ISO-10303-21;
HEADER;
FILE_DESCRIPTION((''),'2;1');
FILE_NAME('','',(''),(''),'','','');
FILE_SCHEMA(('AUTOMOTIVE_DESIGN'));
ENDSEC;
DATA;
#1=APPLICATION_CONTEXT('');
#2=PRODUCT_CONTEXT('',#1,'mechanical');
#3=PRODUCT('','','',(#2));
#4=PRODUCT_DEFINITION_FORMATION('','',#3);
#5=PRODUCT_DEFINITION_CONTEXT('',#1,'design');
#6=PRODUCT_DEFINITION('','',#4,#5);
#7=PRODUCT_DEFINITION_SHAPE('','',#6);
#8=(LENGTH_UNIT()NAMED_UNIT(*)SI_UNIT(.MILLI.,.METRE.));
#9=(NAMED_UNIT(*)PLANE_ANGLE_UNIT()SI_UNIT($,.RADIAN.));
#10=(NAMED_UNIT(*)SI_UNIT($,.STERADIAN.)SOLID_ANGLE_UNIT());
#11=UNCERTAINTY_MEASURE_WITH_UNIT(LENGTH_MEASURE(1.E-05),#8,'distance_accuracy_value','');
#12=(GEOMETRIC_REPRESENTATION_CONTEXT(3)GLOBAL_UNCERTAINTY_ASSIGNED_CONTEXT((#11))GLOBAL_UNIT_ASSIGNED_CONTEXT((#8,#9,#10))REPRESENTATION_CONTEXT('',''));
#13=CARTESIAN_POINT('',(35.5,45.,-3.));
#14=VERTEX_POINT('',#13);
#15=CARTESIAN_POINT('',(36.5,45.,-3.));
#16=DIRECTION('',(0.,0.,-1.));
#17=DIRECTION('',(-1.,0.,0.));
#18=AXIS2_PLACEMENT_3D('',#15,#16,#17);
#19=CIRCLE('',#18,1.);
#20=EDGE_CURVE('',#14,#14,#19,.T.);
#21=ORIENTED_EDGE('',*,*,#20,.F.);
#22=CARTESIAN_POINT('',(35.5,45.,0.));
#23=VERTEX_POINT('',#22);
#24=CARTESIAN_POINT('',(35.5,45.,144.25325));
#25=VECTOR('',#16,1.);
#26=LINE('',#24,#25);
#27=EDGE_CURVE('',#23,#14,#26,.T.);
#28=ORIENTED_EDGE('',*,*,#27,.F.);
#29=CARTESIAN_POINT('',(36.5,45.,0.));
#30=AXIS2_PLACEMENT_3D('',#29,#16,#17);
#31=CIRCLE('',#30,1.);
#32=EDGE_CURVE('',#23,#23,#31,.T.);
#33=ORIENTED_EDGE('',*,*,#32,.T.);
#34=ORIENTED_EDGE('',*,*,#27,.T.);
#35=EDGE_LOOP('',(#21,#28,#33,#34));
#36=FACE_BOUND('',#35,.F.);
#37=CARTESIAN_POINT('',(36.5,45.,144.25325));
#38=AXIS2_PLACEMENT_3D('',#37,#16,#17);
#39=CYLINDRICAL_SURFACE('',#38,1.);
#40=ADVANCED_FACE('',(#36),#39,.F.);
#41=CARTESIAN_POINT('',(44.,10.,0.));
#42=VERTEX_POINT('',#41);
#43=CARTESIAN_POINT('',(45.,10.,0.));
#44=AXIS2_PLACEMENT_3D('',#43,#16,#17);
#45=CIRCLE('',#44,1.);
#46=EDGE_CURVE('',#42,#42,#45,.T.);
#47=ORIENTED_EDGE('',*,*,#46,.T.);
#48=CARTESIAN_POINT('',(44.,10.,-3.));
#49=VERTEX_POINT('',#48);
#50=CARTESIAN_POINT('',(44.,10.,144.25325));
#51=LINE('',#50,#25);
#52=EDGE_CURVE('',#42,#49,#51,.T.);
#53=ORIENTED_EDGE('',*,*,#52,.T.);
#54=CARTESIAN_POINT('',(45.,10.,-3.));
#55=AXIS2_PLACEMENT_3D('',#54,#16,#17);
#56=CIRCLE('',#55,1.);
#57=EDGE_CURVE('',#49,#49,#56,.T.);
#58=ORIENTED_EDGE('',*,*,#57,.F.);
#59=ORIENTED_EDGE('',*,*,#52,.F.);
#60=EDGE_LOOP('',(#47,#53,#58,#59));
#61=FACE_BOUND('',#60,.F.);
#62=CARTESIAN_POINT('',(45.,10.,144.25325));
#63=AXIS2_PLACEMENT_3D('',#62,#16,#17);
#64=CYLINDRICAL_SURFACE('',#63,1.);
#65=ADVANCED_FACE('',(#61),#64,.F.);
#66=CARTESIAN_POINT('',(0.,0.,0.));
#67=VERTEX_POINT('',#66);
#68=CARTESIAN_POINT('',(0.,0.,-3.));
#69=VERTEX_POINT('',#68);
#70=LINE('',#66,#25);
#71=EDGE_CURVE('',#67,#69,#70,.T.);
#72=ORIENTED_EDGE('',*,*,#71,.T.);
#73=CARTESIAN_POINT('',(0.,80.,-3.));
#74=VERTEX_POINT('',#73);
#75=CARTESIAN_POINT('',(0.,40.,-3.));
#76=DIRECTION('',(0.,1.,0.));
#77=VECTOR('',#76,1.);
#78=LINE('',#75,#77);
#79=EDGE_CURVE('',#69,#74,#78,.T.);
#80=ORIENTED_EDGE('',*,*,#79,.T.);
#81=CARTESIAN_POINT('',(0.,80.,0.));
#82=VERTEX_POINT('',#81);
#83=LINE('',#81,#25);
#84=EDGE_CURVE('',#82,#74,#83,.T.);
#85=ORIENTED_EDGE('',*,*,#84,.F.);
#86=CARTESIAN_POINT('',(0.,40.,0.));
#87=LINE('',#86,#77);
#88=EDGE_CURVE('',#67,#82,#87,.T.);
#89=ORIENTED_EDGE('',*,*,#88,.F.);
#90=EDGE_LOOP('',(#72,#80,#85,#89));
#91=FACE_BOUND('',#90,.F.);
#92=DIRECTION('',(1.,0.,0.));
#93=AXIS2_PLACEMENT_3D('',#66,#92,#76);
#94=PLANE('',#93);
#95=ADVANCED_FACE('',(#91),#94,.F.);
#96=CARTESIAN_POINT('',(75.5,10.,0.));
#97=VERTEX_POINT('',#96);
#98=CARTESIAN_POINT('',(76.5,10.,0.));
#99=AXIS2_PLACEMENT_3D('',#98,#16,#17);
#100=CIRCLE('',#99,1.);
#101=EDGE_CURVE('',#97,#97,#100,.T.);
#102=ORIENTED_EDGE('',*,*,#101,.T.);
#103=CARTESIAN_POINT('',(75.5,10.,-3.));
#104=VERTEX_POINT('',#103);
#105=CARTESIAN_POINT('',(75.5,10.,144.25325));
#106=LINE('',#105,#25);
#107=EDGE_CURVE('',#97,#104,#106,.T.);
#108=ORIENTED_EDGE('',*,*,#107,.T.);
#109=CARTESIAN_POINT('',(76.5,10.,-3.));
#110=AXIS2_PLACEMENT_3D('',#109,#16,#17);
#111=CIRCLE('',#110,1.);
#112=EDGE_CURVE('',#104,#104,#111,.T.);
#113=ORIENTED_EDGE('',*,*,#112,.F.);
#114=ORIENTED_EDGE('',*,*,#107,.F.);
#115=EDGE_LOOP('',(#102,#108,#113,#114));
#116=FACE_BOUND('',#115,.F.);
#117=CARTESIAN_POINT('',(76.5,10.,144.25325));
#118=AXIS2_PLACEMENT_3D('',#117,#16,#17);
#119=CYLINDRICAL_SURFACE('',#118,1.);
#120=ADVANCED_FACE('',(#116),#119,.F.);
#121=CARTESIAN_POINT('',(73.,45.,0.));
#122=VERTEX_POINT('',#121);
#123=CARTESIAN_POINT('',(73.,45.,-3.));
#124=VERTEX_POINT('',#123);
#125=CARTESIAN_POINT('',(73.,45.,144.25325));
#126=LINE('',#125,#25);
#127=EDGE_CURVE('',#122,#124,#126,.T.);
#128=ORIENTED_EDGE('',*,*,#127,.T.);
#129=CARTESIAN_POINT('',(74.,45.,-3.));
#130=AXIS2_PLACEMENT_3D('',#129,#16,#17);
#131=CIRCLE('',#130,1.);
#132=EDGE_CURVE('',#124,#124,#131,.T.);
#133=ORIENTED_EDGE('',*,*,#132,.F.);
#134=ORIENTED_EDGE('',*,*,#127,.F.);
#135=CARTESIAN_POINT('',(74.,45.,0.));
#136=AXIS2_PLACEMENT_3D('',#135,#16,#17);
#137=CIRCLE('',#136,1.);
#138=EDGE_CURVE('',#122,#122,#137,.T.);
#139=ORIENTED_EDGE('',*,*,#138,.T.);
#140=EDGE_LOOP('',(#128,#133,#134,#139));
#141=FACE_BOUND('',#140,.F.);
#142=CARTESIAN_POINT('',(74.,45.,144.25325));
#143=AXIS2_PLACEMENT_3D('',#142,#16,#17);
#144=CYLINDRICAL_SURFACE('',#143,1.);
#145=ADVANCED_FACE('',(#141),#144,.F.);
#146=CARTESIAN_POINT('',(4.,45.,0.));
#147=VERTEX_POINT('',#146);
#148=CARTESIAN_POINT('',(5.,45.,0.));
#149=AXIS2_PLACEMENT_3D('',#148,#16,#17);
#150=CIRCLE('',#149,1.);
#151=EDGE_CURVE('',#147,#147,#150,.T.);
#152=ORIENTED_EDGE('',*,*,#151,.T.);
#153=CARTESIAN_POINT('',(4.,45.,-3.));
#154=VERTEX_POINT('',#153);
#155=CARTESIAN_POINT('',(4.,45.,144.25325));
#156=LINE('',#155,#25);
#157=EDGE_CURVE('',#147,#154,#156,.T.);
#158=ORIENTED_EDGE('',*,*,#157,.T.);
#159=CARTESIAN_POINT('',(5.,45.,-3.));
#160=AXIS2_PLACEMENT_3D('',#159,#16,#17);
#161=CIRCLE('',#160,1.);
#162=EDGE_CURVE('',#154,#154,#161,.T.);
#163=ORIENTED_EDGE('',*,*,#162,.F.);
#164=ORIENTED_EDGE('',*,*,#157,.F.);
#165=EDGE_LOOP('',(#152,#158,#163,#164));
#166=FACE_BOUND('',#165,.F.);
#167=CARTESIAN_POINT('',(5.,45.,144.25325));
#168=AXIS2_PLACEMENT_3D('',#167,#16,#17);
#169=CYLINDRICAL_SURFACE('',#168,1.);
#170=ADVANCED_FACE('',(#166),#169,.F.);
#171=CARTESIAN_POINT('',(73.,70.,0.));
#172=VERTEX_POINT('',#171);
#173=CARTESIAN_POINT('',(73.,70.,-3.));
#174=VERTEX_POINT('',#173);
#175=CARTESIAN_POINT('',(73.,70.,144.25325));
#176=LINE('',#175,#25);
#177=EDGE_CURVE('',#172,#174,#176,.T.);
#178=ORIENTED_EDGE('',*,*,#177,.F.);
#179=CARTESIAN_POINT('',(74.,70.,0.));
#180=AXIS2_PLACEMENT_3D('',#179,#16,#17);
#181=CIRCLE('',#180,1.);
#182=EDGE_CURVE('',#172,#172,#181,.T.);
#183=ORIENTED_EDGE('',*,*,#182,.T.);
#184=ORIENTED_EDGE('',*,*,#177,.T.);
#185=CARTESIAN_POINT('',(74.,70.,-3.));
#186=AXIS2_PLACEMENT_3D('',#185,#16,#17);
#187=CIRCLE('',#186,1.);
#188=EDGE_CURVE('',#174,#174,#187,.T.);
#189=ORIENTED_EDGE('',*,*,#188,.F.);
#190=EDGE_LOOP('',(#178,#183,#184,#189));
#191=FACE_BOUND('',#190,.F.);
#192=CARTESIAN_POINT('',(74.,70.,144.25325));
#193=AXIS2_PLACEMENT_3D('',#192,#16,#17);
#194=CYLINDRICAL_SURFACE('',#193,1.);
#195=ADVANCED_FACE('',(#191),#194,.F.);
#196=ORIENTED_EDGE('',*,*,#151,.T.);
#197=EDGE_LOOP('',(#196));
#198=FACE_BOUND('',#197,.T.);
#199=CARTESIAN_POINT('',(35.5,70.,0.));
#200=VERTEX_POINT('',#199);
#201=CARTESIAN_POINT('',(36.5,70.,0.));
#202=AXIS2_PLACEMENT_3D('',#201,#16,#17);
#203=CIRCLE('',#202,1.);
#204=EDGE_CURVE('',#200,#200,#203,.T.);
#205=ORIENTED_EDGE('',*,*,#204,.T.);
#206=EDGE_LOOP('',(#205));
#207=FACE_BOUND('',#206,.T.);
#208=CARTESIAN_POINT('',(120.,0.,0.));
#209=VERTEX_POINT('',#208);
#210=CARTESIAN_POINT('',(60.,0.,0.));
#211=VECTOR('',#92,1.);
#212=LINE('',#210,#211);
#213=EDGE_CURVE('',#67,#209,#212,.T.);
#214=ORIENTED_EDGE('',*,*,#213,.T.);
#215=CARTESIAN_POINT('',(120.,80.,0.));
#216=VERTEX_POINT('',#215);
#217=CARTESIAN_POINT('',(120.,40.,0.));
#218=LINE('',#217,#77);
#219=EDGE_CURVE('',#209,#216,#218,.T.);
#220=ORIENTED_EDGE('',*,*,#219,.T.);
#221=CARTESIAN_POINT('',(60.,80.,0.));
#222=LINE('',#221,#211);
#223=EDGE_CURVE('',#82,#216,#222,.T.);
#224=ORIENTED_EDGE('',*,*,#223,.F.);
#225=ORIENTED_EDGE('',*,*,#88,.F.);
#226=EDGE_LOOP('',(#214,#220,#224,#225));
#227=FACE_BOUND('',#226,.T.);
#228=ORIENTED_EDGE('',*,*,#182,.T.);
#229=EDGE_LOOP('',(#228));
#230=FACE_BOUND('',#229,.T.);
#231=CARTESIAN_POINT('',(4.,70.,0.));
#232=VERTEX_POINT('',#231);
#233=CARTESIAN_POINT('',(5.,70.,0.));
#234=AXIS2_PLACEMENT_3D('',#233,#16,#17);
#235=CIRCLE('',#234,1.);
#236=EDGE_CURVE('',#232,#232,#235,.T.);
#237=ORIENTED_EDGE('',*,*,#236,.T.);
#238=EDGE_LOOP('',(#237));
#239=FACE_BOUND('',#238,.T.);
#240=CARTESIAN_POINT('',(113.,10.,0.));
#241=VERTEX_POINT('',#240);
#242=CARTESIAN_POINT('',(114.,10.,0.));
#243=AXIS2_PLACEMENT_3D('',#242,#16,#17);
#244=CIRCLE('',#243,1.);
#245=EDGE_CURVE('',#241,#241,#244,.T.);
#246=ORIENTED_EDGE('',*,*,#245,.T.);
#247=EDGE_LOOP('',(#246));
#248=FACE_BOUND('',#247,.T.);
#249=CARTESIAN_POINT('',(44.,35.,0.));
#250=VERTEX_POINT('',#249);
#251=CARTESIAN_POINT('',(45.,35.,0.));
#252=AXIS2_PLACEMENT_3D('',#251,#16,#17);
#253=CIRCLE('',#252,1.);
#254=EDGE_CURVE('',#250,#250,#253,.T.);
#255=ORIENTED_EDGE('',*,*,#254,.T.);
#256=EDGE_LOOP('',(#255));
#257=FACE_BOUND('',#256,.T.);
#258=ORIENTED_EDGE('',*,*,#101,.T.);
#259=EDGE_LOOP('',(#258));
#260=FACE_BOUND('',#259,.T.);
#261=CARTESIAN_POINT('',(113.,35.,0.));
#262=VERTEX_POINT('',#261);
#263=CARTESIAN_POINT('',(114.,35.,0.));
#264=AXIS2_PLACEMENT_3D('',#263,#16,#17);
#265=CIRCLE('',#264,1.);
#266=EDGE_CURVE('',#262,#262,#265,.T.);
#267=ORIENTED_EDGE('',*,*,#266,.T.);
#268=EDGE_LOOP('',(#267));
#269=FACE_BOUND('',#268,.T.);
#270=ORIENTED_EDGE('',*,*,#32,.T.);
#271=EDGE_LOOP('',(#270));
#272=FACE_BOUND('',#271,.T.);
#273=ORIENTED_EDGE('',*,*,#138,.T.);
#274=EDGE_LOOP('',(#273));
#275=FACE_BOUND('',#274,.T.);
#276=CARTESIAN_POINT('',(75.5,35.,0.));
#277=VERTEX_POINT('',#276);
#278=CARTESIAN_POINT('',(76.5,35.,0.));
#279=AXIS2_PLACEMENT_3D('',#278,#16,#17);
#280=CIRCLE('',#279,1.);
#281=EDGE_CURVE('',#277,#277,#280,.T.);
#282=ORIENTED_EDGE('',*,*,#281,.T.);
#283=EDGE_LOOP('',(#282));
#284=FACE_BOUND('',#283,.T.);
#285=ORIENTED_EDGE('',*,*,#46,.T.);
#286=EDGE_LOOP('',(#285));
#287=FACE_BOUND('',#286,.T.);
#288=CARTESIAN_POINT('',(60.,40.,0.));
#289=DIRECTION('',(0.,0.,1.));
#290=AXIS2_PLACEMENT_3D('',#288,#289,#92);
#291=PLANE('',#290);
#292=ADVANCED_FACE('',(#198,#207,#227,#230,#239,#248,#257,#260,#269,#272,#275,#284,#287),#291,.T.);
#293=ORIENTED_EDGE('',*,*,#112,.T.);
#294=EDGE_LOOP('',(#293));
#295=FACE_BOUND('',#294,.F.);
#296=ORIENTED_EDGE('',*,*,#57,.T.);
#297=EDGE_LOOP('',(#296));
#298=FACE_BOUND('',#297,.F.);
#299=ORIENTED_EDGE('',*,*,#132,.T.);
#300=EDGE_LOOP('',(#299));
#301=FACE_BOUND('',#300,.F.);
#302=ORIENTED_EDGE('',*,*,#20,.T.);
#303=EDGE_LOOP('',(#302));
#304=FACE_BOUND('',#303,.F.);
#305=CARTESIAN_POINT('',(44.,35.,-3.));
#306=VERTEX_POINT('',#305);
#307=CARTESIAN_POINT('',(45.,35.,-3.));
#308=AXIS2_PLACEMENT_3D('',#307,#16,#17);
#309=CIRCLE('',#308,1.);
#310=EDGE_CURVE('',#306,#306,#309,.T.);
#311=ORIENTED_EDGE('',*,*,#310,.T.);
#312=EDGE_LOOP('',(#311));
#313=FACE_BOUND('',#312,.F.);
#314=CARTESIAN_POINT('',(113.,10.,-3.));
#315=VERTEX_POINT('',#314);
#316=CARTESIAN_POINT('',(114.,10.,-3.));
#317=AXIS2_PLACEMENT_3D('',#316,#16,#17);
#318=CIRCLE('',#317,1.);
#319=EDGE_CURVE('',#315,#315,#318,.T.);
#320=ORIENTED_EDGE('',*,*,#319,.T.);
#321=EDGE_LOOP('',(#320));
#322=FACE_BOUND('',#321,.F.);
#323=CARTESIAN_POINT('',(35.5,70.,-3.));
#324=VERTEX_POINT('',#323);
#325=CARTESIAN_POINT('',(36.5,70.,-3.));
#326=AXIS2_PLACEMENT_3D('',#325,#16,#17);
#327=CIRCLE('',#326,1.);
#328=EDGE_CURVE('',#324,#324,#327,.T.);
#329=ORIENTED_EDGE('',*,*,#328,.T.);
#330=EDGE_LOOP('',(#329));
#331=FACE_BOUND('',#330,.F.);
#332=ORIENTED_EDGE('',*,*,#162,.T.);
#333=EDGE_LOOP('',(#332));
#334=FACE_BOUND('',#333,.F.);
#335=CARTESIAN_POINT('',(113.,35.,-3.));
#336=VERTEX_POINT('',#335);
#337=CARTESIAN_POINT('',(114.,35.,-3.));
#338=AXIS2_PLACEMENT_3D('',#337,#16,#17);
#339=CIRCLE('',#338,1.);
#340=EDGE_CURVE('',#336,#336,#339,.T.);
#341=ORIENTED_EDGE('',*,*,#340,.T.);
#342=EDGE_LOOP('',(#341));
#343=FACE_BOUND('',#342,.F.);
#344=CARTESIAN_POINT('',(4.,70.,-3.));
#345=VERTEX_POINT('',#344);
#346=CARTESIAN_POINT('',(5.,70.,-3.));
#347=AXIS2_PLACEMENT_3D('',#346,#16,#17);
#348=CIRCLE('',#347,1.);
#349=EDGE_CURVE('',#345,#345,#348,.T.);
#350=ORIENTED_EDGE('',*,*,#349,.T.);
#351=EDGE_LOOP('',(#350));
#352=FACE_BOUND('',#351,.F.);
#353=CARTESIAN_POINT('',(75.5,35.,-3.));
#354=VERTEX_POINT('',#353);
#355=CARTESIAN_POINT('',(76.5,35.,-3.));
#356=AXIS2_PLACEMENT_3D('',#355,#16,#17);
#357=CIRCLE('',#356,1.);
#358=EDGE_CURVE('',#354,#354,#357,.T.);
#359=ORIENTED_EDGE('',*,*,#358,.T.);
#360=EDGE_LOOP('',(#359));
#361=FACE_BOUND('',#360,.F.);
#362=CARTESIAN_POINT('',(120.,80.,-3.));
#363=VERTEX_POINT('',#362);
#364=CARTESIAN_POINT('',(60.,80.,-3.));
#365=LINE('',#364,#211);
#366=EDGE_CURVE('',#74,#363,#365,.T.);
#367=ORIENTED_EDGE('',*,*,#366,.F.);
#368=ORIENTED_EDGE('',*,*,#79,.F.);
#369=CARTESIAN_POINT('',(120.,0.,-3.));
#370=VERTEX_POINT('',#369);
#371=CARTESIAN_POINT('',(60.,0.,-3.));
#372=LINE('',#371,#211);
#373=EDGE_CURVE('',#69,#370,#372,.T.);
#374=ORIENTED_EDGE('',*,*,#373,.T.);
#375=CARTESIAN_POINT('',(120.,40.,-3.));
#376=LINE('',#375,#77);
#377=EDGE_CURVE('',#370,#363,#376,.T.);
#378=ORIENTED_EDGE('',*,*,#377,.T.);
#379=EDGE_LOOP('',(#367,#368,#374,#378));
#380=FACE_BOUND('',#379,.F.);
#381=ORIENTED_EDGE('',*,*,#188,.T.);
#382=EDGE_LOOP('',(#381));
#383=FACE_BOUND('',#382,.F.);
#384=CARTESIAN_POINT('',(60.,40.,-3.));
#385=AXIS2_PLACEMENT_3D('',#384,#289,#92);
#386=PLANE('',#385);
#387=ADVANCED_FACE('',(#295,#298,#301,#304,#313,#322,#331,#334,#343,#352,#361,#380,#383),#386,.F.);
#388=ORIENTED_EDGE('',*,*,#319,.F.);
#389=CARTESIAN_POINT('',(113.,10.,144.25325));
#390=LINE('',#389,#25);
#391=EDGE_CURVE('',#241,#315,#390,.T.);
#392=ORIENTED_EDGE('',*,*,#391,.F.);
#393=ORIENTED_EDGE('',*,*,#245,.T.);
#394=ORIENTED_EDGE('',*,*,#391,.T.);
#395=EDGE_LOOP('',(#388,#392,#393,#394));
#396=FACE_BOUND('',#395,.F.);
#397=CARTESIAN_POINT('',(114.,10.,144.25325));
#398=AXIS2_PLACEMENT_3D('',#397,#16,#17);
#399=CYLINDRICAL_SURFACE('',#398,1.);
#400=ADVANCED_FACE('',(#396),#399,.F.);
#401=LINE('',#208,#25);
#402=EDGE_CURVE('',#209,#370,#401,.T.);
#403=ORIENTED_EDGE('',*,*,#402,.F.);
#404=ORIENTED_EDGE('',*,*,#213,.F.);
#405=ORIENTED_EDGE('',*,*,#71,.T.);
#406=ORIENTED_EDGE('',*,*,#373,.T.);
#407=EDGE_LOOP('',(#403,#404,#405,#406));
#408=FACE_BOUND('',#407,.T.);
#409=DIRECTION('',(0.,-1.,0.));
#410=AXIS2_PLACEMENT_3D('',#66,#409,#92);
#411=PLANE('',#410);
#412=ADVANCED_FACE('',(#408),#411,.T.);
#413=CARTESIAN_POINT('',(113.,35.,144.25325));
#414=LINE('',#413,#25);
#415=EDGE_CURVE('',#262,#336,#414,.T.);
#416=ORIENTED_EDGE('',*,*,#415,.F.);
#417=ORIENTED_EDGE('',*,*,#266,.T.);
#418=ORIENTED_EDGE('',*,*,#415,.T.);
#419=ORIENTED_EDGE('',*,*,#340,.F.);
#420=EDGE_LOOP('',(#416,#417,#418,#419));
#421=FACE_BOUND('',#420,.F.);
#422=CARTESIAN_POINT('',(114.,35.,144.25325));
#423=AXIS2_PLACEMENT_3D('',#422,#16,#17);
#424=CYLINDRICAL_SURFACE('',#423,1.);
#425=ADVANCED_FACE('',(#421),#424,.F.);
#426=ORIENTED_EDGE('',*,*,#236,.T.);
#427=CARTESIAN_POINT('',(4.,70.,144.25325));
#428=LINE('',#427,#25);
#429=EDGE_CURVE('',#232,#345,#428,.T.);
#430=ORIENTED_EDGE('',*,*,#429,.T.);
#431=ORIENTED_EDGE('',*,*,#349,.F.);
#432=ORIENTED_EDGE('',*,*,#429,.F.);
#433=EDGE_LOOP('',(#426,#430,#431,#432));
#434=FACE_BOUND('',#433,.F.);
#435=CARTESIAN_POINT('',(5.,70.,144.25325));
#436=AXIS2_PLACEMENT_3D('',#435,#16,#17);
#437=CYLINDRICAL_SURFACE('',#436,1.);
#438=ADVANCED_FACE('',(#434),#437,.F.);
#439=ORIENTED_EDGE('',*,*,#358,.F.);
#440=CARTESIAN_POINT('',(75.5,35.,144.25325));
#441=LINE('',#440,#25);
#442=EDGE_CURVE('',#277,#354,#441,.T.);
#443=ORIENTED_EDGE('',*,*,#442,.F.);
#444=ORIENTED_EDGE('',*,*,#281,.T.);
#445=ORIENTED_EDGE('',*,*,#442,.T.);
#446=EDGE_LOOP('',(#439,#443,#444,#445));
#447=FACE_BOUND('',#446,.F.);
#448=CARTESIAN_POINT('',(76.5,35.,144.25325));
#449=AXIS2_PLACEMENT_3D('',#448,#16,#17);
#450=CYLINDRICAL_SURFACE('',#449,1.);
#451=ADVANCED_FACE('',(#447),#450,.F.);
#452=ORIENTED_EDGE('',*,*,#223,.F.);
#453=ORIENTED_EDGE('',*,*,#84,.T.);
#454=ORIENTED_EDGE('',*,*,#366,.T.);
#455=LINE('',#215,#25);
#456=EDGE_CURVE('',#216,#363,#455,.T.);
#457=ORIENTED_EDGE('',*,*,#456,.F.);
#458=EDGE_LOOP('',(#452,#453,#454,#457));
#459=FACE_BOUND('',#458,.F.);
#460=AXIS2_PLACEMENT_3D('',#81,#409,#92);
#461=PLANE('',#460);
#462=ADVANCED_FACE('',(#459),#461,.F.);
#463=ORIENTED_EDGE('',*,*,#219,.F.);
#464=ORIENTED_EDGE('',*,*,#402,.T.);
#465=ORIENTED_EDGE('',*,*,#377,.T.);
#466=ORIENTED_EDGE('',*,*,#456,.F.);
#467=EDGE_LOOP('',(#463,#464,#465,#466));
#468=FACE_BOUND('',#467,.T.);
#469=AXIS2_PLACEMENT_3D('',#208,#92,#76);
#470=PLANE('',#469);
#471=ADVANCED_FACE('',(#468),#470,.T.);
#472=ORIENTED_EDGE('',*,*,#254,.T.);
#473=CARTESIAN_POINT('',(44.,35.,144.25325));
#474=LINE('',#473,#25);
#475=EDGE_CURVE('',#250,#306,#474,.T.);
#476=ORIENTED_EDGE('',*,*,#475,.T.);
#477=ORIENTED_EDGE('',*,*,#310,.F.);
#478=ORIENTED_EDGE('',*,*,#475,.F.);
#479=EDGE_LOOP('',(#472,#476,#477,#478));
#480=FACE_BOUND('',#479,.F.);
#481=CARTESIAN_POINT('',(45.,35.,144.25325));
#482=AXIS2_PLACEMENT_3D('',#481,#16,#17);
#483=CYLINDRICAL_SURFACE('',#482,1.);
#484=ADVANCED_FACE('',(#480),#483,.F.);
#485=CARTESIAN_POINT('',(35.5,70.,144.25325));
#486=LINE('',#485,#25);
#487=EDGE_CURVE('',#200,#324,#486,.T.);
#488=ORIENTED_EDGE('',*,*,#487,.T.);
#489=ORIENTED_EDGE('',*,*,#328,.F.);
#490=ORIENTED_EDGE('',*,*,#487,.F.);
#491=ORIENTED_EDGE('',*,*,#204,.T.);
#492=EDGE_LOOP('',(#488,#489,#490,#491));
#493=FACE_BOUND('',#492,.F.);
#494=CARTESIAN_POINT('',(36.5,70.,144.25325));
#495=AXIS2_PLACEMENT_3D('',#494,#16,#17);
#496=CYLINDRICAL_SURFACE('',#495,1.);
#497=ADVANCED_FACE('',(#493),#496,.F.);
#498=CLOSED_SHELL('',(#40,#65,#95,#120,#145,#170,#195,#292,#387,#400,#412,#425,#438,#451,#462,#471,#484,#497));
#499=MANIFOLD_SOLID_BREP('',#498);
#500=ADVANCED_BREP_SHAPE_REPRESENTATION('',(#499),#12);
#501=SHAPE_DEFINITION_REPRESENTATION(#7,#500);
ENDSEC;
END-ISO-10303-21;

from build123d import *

# Parameters (mm, degrees)
F0_W     = 120
F0_H     = 80
F1_DEPTH = 3
F3_D     = 2


with BuildPart() as f1:
    # F0 (on Top) → F1 (new body)
    with BuildSketch(Plane.XY):
        with Locations((60, 40)):
            Rectangle(F0_W, F0_H)
    extrude(amount=-F1_DEPTH)

    # F3 (through all)
    with Locations(Plane.XY):
        with Locations((5, 70), (76.5, 35), (114, 10), (114, 35), (76.5, 10), (74, 45), (45, 10), (45, 35), (36.5, 70), (74, 70), (5, 45), (36.5, 45)):
            Hole(F3_D / 2)


solid = f1.part
